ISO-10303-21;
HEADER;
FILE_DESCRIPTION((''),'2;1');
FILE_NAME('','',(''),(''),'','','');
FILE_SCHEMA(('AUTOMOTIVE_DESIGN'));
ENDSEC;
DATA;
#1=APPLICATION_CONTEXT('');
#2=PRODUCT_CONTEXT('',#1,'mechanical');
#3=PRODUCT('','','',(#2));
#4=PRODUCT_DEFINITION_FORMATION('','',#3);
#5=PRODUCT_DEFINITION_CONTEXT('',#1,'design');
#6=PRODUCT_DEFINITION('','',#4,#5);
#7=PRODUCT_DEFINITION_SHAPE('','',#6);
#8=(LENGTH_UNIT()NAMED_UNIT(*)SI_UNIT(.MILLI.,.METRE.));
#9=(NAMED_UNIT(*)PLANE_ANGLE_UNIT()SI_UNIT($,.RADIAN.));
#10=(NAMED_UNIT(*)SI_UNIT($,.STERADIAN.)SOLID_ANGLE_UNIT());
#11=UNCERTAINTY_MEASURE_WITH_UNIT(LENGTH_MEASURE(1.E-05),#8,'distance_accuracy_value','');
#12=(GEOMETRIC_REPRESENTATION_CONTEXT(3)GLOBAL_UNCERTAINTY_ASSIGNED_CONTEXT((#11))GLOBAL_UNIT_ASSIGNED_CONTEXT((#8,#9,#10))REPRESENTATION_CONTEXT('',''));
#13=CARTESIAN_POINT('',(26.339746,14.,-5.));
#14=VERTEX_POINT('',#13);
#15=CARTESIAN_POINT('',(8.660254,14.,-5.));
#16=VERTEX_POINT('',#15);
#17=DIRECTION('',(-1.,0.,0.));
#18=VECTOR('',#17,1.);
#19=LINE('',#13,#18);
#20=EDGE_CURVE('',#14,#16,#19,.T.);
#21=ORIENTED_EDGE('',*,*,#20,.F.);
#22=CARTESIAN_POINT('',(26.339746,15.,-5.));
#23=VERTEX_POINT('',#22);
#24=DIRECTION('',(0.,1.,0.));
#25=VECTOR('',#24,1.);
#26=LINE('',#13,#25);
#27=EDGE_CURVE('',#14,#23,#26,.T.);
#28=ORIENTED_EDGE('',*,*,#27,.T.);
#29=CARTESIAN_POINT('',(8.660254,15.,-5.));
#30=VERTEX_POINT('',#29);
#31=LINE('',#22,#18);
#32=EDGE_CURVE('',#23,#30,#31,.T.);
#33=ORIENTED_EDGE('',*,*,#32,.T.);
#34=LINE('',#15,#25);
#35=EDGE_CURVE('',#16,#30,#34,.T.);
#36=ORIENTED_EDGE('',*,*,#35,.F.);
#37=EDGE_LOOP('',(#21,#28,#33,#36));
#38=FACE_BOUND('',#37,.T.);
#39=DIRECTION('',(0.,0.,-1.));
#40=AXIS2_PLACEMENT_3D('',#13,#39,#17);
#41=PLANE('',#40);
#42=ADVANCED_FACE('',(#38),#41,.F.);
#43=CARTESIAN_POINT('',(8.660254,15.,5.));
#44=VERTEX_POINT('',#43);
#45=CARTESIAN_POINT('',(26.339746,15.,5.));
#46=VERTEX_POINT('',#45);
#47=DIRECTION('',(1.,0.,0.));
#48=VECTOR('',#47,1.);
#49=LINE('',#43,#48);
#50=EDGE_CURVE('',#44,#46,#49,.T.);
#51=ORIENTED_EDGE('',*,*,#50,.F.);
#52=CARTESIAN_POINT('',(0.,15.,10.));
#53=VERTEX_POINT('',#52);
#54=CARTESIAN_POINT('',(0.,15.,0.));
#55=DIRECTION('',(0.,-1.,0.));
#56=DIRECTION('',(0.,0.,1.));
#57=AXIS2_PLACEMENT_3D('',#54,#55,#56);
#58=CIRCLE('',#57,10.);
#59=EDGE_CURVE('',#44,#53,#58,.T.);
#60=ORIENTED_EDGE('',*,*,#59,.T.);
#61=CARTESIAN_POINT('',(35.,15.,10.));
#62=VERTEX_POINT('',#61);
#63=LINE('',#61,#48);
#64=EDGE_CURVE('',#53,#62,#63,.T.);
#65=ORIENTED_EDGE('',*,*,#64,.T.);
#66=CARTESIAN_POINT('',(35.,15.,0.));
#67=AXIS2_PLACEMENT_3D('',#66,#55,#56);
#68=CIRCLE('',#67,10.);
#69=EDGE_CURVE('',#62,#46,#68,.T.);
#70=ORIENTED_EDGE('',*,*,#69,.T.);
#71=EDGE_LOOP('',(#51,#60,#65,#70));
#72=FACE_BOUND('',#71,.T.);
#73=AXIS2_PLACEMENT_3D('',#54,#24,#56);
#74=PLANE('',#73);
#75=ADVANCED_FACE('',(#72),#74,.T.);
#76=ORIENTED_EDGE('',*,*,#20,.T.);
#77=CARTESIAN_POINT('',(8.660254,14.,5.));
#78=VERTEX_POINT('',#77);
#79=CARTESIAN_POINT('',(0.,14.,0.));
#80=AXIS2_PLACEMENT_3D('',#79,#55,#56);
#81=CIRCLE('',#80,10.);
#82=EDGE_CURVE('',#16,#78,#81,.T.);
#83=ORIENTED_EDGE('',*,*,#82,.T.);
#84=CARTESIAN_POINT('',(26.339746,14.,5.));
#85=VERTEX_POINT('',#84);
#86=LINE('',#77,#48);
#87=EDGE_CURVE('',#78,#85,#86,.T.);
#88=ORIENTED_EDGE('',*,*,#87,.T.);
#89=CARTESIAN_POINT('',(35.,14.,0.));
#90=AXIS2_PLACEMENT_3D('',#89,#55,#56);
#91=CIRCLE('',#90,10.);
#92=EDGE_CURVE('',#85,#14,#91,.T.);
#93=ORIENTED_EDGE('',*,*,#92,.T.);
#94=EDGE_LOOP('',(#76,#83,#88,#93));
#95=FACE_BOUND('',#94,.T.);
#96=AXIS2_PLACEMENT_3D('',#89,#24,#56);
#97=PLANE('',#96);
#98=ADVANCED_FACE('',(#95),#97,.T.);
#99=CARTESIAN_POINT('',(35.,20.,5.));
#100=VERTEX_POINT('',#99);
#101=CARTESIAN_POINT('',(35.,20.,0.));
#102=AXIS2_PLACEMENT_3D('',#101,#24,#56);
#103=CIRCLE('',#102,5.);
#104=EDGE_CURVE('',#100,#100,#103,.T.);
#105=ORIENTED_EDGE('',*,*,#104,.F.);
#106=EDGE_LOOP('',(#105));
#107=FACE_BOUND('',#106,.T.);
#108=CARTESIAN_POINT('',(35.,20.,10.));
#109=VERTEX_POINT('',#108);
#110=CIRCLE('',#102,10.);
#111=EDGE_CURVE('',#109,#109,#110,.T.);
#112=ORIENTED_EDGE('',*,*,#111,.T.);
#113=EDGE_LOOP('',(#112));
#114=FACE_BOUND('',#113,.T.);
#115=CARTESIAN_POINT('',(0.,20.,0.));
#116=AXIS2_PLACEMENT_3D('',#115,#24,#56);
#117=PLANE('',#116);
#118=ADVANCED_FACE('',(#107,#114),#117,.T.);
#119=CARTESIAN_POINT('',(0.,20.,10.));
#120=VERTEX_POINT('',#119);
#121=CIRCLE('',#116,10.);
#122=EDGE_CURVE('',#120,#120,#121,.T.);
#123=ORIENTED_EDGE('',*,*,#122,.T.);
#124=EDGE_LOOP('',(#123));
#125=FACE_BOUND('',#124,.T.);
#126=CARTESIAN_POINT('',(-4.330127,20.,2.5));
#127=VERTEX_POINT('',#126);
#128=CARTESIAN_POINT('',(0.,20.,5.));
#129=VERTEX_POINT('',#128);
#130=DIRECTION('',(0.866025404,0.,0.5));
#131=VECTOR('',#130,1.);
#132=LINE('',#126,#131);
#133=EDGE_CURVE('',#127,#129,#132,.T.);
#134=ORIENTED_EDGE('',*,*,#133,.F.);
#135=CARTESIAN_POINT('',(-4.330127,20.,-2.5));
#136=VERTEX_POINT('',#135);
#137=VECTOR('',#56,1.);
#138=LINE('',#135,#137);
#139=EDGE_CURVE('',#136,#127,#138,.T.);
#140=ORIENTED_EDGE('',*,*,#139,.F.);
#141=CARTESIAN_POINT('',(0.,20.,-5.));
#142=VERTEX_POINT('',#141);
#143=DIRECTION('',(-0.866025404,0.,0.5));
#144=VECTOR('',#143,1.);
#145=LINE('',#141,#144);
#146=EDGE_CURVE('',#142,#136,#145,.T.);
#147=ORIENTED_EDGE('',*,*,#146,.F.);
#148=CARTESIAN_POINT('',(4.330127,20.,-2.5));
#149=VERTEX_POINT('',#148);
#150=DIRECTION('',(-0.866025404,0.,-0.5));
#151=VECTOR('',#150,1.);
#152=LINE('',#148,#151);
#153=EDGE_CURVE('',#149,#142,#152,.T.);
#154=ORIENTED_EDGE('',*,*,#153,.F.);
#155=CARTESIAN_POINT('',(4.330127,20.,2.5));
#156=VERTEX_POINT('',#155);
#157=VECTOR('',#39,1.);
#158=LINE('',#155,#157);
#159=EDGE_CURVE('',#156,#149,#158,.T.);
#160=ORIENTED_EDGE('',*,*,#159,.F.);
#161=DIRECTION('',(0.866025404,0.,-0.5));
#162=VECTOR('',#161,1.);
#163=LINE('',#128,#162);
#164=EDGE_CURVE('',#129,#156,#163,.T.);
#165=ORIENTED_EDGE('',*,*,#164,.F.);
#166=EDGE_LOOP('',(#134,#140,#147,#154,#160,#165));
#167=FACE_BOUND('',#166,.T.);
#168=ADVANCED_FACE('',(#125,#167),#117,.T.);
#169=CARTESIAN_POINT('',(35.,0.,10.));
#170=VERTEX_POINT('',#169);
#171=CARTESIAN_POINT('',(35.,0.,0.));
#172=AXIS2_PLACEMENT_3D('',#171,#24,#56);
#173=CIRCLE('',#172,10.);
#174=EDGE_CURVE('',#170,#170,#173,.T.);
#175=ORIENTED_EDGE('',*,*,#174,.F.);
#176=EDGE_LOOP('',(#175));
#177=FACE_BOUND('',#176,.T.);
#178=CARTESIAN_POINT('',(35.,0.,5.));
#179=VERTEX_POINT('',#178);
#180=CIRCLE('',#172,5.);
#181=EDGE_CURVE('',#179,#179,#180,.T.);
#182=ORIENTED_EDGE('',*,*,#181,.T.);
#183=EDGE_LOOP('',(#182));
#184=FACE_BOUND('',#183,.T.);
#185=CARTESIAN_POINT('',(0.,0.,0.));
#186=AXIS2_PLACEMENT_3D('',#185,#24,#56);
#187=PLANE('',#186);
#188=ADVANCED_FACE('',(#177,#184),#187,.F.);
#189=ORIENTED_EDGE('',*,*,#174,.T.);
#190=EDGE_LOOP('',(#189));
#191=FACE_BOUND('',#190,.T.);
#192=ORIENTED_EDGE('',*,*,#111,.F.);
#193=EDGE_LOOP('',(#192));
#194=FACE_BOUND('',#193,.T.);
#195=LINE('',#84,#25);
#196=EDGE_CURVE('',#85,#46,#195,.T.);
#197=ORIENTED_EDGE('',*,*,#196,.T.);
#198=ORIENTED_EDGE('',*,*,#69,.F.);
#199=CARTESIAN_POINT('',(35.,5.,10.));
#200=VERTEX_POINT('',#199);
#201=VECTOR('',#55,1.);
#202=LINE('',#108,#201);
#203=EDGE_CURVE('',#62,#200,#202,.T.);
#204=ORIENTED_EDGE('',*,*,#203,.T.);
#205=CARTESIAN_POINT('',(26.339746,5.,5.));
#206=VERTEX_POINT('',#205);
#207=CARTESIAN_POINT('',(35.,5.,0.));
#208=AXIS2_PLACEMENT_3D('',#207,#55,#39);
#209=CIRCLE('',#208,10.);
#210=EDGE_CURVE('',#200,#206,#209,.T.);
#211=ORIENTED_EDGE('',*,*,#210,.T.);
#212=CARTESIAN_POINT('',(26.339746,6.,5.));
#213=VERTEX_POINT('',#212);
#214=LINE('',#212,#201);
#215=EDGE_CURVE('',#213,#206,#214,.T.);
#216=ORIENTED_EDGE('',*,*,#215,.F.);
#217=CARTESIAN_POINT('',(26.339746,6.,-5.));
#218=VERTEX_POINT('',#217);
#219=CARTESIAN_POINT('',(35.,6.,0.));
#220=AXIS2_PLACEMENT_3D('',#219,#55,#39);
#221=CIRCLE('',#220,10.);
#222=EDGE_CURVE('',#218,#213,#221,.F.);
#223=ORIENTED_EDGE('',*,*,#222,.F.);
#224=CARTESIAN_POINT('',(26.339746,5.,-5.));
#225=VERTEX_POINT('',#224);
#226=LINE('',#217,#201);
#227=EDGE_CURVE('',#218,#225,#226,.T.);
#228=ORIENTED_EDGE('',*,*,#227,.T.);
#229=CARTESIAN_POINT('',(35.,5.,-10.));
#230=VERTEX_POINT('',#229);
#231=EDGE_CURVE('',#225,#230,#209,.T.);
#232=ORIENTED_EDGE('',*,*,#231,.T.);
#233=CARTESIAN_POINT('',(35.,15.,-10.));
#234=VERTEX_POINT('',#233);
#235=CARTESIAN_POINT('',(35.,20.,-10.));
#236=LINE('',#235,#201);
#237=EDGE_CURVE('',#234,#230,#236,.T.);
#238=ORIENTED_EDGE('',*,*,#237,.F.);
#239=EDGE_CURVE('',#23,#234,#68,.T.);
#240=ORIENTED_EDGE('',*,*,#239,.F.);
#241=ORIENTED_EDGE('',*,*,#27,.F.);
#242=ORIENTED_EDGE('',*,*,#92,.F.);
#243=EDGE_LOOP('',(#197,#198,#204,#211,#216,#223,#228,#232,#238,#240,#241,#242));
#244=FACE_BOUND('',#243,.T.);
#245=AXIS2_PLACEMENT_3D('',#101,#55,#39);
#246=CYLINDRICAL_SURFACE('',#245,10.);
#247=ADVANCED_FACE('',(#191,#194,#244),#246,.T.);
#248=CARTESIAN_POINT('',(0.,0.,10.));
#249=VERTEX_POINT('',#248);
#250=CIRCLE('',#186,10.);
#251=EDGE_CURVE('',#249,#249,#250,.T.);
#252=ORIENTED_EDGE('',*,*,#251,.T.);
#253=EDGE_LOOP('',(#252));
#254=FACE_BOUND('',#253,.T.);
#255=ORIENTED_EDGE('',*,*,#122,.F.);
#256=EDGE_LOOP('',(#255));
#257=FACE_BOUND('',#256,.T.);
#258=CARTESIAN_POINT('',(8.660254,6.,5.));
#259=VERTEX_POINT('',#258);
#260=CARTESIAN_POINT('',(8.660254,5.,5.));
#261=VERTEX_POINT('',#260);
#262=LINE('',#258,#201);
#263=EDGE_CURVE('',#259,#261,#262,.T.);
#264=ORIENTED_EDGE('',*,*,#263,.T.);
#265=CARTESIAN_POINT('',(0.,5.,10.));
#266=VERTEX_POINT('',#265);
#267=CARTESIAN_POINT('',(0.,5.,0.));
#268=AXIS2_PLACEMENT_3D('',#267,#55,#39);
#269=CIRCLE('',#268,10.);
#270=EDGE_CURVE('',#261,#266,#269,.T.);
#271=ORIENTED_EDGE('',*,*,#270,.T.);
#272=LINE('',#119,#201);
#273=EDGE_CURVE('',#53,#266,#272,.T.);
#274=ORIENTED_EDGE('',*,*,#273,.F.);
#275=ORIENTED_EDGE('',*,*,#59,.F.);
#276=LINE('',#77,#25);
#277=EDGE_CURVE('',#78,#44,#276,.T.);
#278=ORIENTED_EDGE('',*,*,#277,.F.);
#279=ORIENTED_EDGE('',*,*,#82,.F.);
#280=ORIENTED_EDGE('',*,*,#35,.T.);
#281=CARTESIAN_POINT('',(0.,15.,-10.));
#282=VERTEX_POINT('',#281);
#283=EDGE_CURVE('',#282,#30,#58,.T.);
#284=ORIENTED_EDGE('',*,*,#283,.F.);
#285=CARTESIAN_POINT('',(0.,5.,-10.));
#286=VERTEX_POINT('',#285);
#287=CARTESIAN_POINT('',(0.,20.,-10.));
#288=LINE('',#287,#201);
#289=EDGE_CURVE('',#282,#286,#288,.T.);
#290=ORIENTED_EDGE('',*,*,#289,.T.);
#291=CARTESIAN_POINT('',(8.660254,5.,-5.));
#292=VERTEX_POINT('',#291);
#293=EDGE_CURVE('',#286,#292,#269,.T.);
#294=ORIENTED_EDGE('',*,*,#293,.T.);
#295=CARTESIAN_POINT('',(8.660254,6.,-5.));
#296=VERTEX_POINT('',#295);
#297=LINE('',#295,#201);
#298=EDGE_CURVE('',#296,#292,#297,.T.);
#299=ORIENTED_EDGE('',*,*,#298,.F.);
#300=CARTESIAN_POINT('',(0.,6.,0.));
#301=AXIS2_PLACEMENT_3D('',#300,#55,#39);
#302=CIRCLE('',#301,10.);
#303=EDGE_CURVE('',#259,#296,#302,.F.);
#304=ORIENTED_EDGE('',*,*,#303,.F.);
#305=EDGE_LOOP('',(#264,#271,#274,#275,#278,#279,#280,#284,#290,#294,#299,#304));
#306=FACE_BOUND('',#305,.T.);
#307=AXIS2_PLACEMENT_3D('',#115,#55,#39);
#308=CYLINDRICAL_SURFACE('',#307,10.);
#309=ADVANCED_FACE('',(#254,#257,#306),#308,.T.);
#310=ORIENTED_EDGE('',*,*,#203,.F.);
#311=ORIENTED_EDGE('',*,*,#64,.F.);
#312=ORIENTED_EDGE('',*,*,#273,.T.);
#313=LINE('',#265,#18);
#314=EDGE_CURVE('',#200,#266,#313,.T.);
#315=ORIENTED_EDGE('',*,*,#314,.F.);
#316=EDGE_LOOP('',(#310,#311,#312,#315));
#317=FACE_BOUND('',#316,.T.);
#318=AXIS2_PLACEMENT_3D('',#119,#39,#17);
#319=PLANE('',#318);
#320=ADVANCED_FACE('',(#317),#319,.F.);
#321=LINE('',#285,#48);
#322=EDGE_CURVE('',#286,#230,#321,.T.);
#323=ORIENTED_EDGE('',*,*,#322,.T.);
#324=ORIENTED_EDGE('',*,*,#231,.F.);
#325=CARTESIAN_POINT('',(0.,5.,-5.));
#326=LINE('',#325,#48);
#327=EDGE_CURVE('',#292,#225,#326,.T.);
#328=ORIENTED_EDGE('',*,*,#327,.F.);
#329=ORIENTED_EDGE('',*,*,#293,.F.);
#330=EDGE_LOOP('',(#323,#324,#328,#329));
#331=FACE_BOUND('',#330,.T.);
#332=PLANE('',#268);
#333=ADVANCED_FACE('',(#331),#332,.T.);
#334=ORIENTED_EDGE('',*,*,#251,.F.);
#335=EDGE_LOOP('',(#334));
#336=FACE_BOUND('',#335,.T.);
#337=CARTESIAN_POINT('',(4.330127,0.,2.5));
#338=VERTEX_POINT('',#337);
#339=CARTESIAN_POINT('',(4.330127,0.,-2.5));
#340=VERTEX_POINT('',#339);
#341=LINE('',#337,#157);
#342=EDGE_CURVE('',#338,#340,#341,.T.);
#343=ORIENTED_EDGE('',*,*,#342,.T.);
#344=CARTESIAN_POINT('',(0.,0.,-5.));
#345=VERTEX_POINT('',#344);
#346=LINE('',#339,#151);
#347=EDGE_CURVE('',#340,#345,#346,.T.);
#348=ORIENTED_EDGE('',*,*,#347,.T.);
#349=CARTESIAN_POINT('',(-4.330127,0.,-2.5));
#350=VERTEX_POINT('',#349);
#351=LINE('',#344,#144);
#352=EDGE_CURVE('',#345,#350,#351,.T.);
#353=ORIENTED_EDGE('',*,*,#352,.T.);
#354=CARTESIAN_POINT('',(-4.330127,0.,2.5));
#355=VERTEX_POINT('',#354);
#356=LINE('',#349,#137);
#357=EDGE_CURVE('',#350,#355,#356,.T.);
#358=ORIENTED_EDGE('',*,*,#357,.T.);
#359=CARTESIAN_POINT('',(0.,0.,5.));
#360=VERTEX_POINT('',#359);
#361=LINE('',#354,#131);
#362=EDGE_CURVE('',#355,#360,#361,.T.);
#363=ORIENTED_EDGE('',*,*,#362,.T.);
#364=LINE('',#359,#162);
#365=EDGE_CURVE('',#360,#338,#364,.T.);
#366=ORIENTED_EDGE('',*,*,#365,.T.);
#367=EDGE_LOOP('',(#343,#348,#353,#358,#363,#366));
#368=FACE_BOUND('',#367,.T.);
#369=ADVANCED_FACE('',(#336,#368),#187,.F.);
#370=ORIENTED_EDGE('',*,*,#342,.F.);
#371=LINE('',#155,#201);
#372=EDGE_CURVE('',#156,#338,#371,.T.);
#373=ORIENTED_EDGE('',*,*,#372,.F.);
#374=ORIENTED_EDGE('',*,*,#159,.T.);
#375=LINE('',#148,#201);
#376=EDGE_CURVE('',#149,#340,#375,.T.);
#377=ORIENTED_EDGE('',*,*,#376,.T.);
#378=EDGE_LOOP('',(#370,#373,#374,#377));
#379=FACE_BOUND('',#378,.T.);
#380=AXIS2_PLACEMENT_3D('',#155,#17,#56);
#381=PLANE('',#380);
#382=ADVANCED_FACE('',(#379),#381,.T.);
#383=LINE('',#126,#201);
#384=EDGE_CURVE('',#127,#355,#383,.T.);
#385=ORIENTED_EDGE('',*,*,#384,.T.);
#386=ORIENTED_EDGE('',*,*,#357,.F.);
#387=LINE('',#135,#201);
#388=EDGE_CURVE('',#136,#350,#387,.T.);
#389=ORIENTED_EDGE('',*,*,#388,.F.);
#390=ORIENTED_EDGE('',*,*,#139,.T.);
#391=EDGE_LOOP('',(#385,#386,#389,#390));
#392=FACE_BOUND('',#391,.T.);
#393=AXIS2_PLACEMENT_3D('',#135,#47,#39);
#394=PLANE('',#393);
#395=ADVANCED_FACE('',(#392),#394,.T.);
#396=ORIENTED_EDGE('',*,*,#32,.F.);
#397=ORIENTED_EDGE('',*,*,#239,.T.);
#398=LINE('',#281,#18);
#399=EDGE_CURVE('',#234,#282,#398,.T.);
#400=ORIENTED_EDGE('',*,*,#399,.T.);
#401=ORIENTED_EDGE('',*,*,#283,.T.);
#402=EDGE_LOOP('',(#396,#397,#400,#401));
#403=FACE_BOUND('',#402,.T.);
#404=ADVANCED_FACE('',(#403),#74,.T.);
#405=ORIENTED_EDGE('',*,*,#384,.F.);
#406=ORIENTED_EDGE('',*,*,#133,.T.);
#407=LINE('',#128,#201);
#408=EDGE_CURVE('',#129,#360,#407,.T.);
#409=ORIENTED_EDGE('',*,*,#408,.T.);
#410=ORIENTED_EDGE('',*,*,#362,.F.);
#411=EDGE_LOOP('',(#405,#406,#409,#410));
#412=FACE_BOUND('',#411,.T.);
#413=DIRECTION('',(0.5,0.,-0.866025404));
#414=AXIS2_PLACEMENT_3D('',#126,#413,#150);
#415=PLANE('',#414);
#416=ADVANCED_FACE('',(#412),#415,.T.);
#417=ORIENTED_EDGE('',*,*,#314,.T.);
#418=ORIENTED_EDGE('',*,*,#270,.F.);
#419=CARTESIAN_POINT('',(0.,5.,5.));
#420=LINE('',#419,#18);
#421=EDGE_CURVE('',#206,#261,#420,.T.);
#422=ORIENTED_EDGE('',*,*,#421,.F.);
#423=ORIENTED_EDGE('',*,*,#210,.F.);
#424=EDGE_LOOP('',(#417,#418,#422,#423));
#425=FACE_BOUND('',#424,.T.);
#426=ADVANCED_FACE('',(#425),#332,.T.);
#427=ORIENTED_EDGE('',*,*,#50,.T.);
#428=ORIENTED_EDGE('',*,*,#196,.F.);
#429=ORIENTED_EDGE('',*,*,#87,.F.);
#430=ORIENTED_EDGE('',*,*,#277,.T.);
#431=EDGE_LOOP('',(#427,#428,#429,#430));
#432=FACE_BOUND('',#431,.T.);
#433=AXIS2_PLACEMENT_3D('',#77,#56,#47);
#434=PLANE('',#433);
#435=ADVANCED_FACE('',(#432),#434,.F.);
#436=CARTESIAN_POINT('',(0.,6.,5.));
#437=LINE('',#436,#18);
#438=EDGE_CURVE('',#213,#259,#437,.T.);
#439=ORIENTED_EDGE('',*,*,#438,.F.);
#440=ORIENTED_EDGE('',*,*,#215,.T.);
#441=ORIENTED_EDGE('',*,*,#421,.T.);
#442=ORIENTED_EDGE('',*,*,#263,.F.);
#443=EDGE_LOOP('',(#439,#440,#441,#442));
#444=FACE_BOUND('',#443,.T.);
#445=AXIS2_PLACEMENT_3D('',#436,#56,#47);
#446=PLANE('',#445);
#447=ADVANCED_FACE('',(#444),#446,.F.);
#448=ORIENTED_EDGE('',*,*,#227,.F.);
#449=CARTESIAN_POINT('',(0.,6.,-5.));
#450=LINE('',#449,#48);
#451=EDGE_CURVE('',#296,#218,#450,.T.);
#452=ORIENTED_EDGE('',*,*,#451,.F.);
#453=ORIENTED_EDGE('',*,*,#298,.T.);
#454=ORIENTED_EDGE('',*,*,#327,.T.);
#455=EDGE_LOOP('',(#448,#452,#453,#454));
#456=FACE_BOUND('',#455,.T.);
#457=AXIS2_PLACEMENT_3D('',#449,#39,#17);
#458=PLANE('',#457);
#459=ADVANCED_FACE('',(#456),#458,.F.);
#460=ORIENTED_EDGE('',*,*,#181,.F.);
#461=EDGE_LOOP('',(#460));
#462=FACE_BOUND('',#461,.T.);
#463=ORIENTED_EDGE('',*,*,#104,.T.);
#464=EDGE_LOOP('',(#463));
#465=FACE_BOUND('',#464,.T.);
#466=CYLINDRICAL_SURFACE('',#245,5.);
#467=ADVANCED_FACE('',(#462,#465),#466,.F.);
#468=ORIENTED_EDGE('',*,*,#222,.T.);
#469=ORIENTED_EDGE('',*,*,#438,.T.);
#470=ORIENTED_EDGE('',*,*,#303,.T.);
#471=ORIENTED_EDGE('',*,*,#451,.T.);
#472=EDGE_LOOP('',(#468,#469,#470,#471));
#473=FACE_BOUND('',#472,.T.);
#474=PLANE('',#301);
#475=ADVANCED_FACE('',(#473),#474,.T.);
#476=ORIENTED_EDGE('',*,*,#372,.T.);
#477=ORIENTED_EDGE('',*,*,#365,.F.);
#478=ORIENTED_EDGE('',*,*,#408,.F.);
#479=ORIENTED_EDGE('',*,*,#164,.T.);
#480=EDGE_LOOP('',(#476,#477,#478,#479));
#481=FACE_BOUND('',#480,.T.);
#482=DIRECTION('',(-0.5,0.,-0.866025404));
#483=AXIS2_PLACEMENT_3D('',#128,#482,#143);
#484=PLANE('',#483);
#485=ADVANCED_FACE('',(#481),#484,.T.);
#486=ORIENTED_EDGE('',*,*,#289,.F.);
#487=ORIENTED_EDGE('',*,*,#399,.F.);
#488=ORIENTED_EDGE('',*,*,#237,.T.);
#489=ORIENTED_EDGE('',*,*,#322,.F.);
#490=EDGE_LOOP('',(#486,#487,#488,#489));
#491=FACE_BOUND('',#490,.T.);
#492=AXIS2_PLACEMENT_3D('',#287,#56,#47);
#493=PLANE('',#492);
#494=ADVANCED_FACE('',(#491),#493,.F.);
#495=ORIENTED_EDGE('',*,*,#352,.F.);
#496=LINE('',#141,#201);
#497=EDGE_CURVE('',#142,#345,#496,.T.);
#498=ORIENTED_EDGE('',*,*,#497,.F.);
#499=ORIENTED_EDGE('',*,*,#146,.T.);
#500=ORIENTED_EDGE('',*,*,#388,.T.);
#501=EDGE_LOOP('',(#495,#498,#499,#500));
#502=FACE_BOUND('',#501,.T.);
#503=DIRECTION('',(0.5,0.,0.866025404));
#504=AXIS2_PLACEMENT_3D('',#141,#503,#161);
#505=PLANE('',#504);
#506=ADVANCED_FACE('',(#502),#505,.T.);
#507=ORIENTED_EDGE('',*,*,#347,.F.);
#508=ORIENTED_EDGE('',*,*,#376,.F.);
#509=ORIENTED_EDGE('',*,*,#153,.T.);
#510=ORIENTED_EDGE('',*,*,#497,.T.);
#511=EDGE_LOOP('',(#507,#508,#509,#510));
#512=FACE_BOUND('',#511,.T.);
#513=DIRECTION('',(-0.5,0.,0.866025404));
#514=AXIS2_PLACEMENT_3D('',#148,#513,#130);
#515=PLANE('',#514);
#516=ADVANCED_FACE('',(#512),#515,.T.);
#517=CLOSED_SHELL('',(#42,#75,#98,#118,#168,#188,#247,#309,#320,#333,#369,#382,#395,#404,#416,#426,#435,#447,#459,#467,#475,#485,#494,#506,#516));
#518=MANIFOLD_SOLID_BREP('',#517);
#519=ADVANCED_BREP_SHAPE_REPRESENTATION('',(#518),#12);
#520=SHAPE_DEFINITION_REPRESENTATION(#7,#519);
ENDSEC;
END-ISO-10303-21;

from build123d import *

# Parameters (mm, degrees)
SKETCH1_R           = 5
BOSS_EXTRUDE1_DEPTH = 20
CUT_EXTRUDE2_DEPTH  = 5
CUT_EXTRUDE3_DEPTH  = 1
CUT_EXTRUDE4_DEPTH  = 5
CUT_EXTRUDE5_DEPTH  = 1


with BuildPart() as part:
    # Sketch1 → Boss-Extrude1 (new body)
    with BuildSketch(Plane(origin=(0, 0, 0), x_dir=(1, 0, 0), z_dir=(0, 1, 0))):
        with BuildLine():
            Line((0, 10), (35, 10))
            ThreePointArc((35, 10), (45, 0), (35, -10))
            Line((35, -10), (0, -10))
            ThreePointArc((0, -10), (-10, 0), (0, 10))
        make_face()
        with Locations((35, 0)):
            Circle(SKETCH1_R, mode=Mode.SUBTRACT)
        Polygon((0, 5), (-4.330127, 2.5), (-4.330127, -2.5), (0, -5), (4.330127, -2.5), (4.330127, 2.5), align=None, mode=Mode.SUBTRACT)
    extrude(amount=BOSS_EXTRUDE1_DEPTH)

    # Sketch2 → Cut-Extrude2 (cut)
    with BuildSketch(Plane(origin=(0, 20, 0), x_dir=(1, 0, 0), z_dir=(0, 1, 0))):
        with BuildLine():
            Line((0, 10), (35, 10))
            ThreePointArc((35, 10), (25, 0), (35, -10))
            Line((35, -10), (0, -10))
            ThreePointArc((0, -10), (10, 0), (0, 10))
        make_face()
    extrude(amount=-CUT_EXTRUDE2_DEPTH, mode=Mode.SUBTRACT)

    # Sketch3 → Cut-Extrude3 (cut)
    with BuildSketch(Plane(origin=(0, 15, 0), x_dir=(1, 0, 0), z_dir=(0, 1, 0))):
        with BuildLine():
            Line((26.339746, 5), (8.660254, 5))
            ThreePointArc((8.660254, 5), (10, 0), (8.660254, -5))
            Line((8.660254, -5), (26.339746, -5))
            ThreePointArc((26.339746, -5), (25, 0), (26.339746, 5))
        make_face()
    extrude(amount=-CUT_EXTRUDE3_DEPTH, mode=Mode.SUBTRACT)

    # Sketch4 → Cut-Extrude4 (cut)
    with BuildSketch(Plane.XZ):
        with BuildLine():
            ThreePointArc((0, -10), (5, -8.660254), (8.660254, -5))
            ThreePointArc((8.660254, -5), (10, 0), (8.660254, 5))
            ThreePointArc((8.660254, 5), (5, 8.660254), (0, 10))
            Line((0, 10), (35, 10))
            ThreePointArc((35, 10), (30, 8.660254), (26.339746, 5))
            ThreePointArc((26.339746, 5), (25, 0), (26.339746, -5))
            ThreePointArc((26.339746, -5), (30, -8.660254), (35, -10))
            Line((35, -10), (0, -10))
        make_face()
    extrude(amount=-CUT_EXTRUDE4_DEPTH, mode=Mode.SUBTRACT)

    # Sketch5 → Cut-Extrude5 (cut)
    with BuildSketch(Plane.XZ.offset(-5)):
        with BuildLine():
            ThreePointArc((8.660254, 5), (10, 0), (8.660254, -5))
            Line((8.660254, -5), (26.339746, -5))
            ThreePointArc((26.339746, -5), (25, 0), (26.339746, 5))
            Line((26.339746, 5), (8.660254, 5))
        make_face()
    extrude(amount=-CUT_EXTRUDE5_DEPTH, mode=Mode.SUBTRACT)


solid = part.part
